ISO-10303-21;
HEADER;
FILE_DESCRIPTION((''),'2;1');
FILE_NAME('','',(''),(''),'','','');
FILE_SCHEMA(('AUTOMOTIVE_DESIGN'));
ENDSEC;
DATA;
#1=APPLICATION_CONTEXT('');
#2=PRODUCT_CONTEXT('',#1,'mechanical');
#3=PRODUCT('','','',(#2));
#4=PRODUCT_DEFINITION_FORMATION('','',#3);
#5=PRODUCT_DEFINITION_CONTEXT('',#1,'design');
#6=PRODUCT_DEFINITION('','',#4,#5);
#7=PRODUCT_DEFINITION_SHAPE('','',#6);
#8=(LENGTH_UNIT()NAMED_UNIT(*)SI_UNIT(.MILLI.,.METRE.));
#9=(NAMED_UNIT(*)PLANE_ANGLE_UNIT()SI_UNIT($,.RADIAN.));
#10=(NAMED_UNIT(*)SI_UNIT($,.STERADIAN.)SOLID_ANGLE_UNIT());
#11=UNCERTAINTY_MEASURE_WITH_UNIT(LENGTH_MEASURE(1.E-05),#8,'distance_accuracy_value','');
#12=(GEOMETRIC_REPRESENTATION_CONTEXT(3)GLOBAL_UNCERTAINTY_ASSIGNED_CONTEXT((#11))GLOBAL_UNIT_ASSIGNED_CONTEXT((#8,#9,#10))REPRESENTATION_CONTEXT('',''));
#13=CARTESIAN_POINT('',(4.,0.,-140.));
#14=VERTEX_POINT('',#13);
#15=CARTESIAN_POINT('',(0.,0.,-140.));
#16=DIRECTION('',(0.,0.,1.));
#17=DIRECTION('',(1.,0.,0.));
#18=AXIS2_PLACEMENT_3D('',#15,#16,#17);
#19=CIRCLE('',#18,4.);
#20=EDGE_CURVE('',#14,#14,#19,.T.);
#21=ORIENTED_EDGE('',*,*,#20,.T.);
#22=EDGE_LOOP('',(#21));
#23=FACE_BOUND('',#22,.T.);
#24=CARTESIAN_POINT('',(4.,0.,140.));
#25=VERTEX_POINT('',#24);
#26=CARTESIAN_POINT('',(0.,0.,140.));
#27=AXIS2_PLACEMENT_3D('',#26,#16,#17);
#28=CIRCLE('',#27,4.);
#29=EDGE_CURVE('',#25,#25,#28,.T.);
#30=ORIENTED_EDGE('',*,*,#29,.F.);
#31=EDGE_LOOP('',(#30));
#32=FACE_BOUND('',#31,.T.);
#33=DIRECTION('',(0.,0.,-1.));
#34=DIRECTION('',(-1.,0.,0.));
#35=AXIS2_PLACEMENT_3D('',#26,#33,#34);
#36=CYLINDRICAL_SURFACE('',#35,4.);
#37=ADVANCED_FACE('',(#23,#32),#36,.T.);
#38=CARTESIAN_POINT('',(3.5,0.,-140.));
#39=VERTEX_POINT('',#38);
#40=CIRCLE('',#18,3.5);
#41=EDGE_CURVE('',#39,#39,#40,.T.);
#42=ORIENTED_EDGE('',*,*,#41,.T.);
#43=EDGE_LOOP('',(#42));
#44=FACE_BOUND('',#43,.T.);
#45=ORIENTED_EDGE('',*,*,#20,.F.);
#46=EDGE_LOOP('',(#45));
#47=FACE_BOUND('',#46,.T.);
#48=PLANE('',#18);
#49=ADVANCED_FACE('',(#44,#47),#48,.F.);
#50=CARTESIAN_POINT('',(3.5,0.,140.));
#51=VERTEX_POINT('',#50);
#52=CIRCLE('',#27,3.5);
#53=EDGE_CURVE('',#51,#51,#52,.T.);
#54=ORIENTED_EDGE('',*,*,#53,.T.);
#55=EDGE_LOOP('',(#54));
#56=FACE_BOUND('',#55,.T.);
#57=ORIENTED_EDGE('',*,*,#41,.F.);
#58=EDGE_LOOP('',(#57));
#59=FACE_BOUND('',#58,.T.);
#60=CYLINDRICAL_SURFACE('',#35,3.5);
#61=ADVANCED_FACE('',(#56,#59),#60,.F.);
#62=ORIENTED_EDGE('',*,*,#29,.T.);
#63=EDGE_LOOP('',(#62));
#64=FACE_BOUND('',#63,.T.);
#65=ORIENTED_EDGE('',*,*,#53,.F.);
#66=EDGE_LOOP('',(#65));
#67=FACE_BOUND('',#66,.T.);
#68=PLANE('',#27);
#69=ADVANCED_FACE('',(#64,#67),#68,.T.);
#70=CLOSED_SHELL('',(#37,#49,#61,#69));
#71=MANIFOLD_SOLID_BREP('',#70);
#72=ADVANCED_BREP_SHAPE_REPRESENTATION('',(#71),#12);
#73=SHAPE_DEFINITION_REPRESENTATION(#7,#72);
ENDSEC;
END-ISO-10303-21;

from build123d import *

# Parameters (mm, degrees)
SKETCH_1_R      = 4
SKETCH_1_R_2    = 3.5
EXTRUDE_1_DEPTH = 140


with BuildPart() as part:
    # Эскиз1 → Бобышка-Вытянуть1 (new, symmetric)
    with BuildSketch(Plane.XY):
        Circle(SKETCH_1_R)
        Circle(SKETCH_1_R_2, mode=Mode.SUBTRACT)
    extrude(amount=EXTRUDE_1_DEPTH, both=True)


solid = part.part
